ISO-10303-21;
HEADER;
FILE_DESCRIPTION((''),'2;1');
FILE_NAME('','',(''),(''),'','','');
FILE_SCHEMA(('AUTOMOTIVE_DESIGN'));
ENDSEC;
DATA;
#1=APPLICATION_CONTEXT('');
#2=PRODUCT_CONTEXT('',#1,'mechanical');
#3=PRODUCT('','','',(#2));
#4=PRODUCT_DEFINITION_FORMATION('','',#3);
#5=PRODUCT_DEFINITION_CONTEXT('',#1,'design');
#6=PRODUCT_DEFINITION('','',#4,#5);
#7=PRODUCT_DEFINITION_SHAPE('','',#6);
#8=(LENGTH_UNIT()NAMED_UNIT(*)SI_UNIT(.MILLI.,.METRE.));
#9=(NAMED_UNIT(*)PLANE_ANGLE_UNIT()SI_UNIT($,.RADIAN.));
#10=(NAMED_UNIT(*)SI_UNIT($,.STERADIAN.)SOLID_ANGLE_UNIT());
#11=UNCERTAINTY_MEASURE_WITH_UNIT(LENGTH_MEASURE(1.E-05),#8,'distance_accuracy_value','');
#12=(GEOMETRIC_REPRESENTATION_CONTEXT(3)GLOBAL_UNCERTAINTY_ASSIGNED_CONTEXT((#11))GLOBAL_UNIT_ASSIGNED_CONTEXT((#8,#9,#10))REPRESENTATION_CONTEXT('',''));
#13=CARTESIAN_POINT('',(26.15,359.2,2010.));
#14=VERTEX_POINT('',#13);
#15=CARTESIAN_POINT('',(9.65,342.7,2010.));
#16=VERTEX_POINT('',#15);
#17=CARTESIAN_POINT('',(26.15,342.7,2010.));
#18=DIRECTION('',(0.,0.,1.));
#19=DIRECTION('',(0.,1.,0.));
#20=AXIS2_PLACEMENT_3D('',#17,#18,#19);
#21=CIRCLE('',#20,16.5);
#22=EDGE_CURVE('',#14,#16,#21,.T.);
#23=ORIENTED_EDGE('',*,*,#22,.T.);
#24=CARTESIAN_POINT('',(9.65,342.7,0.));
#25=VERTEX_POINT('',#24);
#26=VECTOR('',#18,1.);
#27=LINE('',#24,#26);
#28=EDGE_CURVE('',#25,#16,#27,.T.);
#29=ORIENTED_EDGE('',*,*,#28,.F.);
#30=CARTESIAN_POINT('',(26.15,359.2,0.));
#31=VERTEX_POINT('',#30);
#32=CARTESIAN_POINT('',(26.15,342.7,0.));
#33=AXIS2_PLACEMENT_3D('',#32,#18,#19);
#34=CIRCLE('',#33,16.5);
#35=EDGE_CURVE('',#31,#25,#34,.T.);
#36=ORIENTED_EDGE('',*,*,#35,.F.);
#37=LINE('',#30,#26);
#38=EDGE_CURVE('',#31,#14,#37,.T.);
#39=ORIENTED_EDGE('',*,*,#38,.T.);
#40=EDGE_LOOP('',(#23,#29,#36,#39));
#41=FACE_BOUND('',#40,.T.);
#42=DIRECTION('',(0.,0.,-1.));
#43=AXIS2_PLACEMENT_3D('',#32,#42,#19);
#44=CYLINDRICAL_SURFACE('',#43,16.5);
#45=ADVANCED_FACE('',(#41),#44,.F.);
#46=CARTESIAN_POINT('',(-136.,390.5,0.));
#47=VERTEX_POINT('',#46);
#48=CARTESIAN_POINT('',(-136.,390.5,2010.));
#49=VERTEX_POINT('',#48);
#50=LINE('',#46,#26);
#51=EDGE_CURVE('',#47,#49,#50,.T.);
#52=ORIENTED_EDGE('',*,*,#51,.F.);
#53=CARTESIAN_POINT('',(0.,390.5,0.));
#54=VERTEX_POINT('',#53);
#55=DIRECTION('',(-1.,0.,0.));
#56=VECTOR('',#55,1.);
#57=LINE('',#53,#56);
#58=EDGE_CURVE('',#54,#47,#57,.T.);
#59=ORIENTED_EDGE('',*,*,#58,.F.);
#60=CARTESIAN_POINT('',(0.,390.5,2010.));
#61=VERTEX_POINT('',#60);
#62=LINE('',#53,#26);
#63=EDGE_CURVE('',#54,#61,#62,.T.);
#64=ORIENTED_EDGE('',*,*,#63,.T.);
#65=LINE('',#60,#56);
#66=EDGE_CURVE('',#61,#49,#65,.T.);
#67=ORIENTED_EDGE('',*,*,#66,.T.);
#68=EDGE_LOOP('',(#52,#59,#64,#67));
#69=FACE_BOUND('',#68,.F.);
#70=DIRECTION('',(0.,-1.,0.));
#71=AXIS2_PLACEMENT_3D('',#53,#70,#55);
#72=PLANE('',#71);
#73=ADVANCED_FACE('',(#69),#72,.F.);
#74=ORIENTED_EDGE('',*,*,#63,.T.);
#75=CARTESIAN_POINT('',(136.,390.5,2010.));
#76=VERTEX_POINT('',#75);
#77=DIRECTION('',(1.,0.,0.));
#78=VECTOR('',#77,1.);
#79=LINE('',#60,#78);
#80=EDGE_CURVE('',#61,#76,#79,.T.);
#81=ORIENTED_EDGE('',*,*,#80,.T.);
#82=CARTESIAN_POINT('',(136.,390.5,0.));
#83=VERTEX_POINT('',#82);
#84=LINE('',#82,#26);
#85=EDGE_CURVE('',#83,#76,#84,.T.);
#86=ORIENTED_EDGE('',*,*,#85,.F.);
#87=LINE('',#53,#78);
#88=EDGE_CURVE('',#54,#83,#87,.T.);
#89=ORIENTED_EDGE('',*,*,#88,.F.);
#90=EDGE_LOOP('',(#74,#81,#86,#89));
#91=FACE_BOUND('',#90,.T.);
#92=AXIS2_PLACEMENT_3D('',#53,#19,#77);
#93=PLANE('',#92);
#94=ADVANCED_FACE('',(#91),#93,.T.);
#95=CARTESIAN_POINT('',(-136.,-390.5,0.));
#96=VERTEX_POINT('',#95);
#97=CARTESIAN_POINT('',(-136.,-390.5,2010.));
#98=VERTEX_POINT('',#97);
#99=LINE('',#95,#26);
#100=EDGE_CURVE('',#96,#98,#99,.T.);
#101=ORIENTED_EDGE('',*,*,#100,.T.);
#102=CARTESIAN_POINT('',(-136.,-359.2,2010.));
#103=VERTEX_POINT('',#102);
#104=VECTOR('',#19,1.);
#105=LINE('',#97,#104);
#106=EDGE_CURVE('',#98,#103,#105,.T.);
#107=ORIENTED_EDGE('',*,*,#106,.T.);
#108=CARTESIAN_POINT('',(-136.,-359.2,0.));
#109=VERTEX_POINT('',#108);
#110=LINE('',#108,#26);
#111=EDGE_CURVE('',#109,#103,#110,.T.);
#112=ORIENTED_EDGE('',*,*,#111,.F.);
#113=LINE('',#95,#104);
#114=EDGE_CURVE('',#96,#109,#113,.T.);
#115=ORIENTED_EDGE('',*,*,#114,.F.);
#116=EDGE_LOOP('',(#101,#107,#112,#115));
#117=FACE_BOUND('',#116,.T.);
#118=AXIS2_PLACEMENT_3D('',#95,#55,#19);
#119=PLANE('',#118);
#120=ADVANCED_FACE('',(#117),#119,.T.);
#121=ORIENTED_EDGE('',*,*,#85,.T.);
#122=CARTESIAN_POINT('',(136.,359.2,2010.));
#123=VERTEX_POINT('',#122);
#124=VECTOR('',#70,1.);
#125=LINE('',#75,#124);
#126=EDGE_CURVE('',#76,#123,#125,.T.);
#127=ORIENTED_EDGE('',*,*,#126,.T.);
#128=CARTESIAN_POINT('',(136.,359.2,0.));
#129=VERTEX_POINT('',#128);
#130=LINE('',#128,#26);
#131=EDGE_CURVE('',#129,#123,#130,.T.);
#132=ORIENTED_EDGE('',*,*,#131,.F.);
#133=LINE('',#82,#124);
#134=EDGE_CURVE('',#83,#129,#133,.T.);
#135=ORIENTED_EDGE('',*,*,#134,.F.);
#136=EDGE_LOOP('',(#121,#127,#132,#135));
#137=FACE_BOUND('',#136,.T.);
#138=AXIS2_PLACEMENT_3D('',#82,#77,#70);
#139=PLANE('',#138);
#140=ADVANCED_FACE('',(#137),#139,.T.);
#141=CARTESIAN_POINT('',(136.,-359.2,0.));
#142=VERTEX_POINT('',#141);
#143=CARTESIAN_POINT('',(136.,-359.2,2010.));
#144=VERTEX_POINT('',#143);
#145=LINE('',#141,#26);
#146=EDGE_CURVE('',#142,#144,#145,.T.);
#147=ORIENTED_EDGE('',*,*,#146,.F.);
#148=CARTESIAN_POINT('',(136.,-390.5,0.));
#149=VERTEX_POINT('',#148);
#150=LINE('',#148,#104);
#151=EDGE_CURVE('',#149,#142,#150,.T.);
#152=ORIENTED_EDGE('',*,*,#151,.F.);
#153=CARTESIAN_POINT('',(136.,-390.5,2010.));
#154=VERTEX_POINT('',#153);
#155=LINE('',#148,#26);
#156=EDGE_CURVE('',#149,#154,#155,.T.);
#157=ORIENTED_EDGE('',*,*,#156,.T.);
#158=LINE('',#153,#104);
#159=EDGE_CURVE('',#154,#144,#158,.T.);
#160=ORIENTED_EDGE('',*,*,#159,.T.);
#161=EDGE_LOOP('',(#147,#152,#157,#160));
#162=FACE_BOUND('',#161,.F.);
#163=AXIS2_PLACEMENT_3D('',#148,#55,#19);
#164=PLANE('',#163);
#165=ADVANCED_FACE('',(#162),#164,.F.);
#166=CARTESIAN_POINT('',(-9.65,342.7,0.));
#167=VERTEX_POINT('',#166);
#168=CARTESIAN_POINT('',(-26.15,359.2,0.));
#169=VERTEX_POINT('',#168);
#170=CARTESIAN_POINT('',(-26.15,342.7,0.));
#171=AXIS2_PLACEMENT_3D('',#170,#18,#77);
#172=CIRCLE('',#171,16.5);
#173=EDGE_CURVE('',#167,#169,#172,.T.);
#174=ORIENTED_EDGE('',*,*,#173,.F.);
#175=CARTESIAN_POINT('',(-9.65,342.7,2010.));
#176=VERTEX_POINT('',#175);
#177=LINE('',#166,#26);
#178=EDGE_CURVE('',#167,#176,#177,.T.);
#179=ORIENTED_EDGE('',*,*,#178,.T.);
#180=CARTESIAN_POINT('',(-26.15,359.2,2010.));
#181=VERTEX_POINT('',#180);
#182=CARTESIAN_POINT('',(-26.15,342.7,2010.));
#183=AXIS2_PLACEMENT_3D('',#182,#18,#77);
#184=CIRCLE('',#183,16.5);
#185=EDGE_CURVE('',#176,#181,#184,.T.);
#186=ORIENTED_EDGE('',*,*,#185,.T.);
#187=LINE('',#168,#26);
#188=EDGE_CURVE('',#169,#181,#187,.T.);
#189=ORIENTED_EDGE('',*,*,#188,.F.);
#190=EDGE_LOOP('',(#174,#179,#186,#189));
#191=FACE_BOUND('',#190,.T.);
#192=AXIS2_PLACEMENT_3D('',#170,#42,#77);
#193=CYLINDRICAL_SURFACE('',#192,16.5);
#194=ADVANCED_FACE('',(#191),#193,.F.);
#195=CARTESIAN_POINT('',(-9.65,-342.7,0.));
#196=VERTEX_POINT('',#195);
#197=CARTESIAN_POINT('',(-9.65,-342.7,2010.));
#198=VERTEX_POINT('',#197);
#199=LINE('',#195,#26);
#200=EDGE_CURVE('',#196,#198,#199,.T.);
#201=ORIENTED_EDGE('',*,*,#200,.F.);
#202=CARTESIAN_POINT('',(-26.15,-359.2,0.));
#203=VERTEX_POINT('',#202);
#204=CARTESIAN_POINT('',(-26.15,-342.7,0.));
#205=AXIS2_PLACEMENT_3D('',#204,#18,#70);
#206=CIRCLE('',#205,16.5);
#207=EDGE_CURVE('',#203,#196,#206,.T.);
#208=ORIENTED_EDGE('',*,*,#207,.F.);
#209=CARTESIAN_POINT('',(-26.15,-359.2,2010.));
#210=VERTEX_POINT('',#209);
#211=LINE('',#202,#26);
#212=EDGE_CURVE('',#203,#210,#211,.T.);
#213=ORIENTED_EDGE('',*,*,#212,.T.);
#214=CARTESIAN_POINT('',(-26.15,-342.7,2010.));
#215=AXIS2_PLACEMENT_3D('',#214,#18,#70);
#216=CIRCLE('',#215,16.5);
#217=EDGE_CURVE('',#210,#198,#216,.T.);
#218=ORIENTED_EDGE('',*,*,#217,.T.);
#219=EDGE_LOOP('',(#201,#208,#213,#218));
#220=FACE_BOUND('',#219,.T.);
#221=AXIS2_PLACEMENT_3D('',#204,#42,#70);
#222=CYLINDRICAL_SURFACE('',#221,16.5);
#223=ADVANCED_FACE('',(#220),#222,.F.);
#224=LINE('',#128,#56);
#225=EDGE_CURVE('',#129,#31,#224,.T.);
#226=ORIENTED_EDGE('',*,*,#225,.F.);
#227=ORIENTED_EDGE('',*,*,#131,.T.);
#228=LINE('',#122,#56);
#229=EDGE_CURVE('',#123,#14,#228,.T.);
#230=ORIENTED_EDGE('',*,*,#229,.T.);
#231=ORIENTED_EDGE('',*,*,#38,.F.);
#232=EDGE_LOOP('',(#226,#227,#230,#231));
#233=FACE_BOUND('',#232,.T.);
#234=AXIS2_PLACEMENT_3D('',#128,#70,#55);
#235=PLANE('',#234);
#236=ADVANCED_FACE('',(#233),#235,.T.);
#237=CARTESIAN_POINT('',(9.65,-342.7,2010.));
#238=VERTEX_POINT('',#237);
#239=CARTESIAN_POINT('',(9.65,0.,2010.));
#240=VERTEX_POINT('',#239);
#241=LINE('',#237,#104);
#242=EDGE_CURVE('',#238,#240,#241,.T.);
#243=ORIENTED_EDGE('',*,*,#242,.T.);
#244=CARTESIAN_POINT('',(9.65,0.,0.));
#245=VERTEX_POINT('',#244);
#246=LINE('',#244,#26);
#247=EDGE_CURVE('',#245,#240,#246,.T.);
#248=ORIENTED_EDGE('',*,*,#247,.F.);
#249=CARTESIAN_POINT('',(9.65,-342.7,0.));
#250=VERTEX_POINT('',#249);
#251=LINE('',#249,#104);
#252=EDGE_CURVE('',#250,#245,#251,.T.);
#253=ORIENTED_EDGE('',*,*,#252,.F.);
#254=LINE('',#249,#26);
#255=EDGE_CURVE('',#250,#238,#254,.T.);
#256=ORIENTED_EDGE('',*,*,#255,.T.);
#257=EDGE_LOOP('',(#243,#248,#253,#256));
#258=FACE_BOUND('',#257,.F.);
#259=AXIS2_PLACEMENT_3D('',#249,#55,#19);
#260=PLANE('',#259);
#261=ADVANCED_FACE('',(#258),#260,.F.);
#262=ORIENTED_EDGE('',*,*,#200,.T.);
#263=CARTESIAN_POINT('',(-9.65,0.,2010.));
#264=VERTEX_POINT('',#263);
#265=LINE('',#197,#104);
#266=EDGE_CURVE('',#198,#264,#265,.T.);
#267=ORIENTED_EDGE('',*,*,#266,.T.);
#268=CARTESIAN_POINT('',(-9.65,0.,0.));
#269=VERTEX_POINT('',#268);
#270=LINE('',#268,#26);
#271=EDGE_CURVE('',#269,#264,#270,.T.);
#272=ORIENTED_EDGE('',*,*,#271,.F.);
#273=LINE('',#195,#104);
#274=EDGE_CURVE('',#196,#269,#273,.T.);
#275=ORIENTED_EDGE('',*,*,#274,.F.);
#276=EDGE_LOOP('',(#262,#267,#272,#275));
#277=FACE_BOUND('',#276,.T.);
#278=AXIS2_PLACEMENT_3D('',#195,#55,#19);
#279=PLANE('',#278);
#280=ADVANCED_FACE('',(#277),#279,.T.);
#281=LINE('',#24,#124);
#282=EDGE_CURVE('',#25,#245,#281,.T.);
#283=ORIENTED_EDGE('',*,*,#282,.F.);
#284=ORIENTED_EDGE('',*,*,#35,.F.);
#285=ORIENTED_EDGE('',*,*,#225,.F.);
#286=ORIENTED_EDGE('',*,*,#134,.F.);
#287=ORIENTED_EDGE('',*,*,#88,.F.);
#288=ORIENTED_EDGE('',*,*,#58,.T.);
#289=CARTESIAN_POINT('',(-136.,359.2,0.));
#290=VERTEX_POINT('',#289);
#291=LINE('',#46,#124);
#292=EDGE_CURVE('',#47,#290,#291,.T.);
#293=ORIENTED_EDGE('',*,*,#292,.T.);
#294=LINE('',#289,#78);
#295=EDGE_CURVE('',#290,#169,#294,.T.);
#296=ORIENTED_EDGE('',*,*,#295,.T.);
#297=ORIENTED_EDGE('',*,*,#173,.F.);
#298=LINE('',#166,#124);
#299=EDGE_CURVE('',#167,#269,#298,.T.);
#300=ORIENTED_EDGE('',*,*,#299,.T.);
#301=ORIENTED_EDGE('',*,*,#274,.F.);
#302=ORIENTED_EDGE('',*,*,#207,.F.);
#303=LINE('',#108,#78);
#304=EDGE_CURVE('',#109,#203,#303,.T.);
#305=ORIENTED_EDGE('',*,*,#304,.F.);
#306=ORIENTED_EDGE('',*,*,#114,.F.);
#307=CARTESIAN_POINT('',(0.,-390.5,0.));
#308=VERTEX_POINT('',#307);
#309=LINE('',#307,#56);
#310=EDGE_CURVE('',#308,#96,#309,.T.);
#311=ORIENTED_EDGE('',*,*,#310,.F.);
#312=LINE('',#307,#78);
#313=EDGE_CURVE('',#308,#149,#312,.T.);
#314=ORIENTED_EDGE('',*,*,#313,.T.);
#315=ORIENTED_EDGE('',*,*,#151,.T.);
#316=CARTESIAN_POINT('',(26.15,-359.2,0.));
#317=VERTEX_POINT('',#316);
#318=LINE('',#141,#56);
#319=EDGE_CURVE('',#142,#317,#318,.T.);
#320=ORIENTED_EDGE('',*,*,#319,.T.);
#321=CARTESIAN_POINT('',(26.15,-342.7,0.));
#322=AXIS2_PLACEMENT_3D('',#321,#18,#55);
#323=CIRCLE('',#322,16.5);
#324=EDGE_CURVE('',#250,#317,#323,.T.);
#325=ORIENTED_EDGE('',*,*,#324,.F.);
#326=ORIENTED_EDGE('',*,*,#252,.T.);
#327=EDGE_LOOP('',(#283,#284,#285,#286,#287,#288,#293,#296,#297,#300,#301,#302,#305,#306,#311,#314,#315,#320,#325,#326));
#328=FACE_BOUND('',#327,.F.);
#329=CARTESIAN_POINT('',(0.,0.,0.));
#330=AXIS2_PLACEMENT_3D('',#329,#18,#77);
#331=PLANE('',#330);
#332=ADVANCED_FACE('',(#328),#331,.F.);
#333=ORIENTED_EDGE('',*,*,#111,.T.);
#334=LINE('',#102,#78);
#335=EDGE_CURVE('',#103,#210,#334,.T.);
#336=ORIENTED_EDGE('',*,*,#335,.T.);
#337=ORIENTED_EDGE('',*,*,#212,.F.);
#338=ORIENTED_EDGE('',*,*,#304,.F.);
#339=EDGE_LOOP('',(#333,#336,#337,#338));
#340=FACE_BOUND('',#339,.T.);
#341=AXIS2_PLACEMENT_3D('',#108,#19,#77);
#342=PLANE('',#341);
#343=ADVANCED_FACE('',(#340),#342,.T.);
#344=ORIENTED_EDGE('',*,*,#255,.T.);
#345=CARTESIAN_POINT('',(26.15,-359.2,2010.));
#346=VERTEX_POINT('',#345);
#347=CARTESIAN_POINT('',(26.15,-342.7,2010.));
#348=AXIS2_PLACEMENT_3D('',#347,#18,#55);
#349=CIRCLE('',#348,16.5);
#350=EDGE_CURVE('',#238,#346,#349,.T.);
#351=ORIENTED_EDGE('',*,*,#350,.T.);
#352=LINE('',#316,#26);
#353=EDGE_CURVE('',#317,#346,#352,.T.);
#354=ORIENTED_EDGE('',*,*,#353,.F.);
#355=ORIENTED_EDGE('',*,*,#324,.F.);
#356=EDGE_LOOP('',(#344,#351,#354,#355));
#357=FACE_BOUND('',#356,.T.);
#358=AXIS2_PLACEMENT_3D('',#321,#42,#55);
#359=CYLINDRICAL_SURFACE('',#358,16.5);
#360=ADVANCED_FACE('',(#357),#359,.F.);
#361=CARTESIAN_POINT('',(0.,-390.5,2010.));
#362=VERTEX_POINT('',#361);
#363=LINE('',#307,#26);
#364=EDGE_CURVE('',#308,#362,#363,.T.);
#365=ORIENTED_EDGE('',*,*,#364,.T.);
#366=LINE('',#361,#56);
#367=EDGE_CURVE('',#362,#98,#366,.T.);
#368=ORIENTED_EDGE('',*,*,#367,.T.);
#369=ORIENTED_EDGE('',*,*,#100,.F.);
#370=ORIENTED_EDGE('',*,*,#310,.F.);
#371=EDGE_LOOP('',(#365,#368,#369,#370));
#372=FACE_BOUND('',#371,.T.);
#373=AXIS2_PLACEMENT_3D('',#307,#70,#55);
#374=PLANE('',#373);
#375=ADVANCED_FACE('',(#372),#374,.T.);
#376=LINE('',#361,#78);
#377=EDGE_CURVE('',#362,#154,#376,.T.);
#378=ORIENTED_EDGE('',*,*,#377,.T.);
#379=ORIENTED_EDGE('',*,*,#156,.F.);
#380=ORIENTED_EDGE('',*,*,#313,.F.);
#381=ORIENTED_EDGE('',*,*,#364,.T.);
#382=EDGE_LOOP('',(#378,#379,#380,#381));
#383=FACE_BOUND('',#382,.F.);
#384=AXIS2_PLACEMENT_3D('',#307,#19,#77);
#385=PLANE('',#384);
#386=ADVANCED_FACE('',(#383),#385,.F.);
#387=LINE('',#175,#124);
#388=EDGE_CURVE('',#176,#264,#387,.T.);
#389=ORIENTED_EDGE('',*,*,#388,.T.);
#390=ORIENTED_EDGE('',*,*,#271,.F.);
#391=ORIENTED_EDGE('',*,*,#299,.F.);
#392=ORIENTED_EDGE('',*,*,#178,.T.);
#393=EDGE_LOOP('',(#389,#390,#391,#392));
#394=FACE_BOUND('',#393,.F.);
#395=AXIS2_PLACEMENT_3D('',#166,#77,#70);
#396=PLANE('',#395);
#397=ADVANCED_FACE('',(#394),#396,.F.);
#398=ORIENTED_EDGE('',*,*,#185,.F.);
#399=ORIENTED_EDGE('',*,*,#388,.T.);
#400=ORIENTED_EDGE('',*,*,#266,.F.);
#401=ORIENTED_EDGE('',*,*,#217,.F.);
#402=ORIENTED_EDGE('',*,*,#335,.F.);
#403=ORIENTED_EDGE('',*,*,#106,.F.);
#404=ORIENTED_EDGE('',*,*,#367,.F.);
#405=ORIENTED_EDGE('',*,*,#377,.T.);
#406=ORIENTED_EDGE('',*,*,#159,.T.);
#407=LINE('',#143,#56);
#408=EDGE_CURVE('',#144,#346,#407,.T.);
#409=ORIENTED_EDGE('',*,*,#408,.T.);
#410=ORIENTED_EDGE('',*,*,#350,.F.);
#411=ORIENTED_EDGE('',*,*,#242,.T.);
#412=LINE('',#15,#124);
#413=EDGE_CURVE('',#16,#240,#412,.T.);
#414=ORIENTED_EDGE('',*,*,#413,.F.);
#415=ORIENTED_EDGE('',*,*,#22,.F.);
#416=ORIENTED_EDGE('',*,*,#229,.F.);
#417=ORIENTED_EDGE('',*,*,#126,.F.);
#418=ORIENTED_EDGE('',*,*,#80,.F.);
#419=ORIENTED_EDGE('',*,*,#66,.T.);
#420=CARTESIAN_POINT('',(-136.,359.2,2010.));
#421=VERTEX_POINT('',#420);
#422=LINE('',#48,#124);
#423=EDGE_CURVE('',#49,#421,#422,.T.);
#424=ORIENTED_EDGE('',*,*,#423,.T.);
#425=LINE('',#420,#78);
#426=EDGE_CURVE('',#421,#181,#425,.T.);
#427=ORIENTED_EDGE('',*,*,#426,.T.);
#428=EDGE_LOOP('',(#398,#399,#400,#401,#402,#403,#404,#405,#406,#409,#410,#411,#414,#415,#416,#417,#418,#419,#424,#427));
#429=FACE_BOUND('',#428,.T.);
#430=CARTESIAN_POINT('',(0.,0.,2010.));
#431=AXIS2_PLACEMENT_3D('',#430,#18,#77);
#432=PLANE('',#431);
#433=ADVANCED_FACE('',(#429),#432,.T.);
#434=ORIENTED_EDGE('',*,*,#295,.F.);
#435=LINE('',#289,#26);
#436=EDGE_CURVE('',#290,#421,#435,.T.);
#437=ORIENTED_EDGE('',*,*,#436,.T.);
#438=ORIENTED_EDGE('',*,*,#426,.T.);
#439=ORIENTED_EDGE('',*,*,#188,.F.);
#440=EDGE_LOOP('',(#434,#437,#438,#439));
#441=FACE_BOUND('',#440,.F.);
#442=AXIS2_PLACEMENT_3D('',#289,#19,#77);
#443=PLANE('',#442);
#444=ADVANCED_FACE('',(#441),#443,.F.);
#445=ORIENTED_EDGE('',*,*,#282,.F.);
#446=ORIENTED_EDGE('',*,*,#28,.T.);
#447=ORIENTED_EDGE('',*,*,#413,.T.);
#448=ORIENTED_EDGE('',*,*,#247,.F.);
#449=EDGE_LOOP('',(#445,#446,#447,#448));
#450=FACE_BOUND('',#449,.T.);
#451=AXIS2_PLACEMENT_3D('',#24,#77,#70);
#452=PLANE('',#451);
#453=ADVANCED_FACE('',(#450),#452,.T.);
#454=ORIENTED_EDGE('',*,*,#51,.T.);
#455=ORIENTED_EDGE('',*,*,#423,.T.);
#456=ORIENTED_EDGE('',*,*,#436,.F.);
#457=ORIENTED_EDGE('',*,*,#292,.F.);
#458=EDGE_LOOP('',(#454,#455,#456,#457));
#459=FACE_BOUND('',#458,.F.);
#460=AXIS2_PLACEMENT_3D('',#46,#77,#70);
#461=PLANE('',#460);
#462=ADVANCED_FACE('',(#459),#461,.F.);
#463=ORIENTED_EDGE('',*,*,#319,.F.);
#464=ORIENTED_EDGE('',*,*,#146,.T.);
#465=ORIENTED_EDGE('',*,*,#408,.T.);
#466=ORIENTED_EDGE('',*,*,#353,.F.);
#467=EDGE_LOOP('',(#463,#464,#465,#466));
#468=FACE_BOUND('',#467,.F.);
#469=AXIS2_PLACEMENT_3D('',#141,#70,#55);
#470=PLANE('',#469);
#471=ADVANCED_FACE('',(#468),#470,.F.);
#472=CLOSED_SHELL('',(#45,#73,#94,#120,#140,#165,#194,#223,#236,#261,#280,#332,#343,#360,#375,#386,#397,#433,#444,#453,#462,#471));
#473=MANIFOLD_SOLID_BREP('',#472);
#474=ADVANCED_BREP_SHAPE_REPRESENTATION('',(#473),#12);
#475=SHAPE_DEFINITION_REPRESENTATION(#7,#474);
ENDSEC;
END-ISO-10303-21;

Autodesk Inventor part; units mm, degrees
ref_plane "YZ Plane" through (0, 0, 0) normal (1, 0, 0) x (0, 1, 0)
ref_plane "Start plane" through (0, 0, 0) normal (0, 0, 1) x (1, 0, 0)
ref_plane "End plane" through (0, 0, 2010) normal (0, 0, 1) x (1, 0, 0)
sketch "Sketch" plane through (0, 0, 0) normal (0, 0, 1) x (1, 0, 0)
  line L0 (-136, -390.5) -> (-136, -359.2)
  line L1 (-136, -359.2) -> (-26.15, -359.2)
  line L2 (-9.65, -342.7) -> (-9.65, 0)
  line L3 (-9.65, 0) -> (0, 0) construction
  line L4 (0, 0) -> (0, -390.5) construction
  line L5 (0, -390.5) -> (-136, -390.5)
  line L6 (-60, 0) -> (80, 0) construction
  line L7 (0, -60) -> (0, 80) construction
  line L8 (136, -390.5) -> (136, -359.2)
  line L9 (136, -359.2) -> (26.15, -359.2)
  line L10 (9.65, -342.7) -> (9.65, 0)
  line L11 (9.65, 0) -> (0, 0) construction
  line L12 (0, -390.5) -> (136, -390.5)
  line L13 (-136, 390.5) -> (-136, 359.2)
  line L14 (-136, 359.2) -> (-26.15, 359.2)
  line L15 (-9.65, 342.7) -> (-9.65, 0)
  line L16 (0, 390.5) -> (-136, 390.5)
  line L17 (136, 390.5) -> (136, 359.2)
  line L18 (136, 359.2) -> (26.15, 359.2)
  line L19 (0, 390.5) -> (136, 390.5)
  line L20 (9.65, 342.7) -> (9.65, 0)
  arc A0 (-9.65, 342.7) -> (-26.15, 359.2) centre (-26.15, 342.7) ccw
  arc A1 (26.15, 359.2) -> (9.65, 342.7) centre (26.15, 342.7) ccw
  arc A2 (9.65, -342.7) -> (26.15, -359.2) centre (26.15, -342.7) ccw
  arc A3 (-26.15, -359.2) -> (-9.65, -342.7) centre (-26.15, -342.7) ccw
  line L21 (0, 108) -> (0, -88) construction
  line L22 (-88, 0) -> (108, 0) construction
  point P0 (-9.65, -359.2)
  point P1 (9.65, -359.2)
  point P2 (-9.65, 359.2)
  point P3 (9.65, 359.2)
  dimension "d1" = 390.5
  dimension "d2" = 31.3
  dimension "d3" = 136
  dimension "d4" = 9.65
  dimension "d10" = 16.5
extrude "Body" add sketch "Sketch" along normal up to surface (2010 mm away) from surface at 0
sketch "Sketch4" plane through (0, 0, 0) normal (0, 0, 1) x (1, 0, 0)
  line L0 (0, 0) -> (10, 0)
ref_plane "Work Plane3" through (0, 0, 0) normal (0, -1, 0) x (1, 0, 0)
sketch "Sketch5" plane through (0, 0, 0) normal (0, -1, 0) x (1, 0, 0)
  line L0 (-2, 0) -> (12, 0) projected
  line L1 (-2, 2010) -> (12, 2010) projected
  dimension "d14" = 2010
equation "\"d1\" = 0.5 * G_H"
equation "\"d2\" = G_T1"
equation "\"d3\" = 0.5 * G_W"
equation "\"d4\" = 0.5 * G_T"
equation "\"d10\" = G_IR"
equation "\"d5\" = G_L"
equation "\"G_W\" = 272"
equation "\"G_H\" = 781"
equation "\"G_T\" = 19.3"
equation "\"G_T1\" = 31.3"
equation "\"G_IR\" = 16.5"
equation "\"G_L\" = d14"
equation "\"G_OFFSET_START\" = 0"
equation "\"G_OFFSET_END\" = 0"
properties part number "AS 3679-1990 - 760 UB - 244 - 2010" material "Steel, Mild"
